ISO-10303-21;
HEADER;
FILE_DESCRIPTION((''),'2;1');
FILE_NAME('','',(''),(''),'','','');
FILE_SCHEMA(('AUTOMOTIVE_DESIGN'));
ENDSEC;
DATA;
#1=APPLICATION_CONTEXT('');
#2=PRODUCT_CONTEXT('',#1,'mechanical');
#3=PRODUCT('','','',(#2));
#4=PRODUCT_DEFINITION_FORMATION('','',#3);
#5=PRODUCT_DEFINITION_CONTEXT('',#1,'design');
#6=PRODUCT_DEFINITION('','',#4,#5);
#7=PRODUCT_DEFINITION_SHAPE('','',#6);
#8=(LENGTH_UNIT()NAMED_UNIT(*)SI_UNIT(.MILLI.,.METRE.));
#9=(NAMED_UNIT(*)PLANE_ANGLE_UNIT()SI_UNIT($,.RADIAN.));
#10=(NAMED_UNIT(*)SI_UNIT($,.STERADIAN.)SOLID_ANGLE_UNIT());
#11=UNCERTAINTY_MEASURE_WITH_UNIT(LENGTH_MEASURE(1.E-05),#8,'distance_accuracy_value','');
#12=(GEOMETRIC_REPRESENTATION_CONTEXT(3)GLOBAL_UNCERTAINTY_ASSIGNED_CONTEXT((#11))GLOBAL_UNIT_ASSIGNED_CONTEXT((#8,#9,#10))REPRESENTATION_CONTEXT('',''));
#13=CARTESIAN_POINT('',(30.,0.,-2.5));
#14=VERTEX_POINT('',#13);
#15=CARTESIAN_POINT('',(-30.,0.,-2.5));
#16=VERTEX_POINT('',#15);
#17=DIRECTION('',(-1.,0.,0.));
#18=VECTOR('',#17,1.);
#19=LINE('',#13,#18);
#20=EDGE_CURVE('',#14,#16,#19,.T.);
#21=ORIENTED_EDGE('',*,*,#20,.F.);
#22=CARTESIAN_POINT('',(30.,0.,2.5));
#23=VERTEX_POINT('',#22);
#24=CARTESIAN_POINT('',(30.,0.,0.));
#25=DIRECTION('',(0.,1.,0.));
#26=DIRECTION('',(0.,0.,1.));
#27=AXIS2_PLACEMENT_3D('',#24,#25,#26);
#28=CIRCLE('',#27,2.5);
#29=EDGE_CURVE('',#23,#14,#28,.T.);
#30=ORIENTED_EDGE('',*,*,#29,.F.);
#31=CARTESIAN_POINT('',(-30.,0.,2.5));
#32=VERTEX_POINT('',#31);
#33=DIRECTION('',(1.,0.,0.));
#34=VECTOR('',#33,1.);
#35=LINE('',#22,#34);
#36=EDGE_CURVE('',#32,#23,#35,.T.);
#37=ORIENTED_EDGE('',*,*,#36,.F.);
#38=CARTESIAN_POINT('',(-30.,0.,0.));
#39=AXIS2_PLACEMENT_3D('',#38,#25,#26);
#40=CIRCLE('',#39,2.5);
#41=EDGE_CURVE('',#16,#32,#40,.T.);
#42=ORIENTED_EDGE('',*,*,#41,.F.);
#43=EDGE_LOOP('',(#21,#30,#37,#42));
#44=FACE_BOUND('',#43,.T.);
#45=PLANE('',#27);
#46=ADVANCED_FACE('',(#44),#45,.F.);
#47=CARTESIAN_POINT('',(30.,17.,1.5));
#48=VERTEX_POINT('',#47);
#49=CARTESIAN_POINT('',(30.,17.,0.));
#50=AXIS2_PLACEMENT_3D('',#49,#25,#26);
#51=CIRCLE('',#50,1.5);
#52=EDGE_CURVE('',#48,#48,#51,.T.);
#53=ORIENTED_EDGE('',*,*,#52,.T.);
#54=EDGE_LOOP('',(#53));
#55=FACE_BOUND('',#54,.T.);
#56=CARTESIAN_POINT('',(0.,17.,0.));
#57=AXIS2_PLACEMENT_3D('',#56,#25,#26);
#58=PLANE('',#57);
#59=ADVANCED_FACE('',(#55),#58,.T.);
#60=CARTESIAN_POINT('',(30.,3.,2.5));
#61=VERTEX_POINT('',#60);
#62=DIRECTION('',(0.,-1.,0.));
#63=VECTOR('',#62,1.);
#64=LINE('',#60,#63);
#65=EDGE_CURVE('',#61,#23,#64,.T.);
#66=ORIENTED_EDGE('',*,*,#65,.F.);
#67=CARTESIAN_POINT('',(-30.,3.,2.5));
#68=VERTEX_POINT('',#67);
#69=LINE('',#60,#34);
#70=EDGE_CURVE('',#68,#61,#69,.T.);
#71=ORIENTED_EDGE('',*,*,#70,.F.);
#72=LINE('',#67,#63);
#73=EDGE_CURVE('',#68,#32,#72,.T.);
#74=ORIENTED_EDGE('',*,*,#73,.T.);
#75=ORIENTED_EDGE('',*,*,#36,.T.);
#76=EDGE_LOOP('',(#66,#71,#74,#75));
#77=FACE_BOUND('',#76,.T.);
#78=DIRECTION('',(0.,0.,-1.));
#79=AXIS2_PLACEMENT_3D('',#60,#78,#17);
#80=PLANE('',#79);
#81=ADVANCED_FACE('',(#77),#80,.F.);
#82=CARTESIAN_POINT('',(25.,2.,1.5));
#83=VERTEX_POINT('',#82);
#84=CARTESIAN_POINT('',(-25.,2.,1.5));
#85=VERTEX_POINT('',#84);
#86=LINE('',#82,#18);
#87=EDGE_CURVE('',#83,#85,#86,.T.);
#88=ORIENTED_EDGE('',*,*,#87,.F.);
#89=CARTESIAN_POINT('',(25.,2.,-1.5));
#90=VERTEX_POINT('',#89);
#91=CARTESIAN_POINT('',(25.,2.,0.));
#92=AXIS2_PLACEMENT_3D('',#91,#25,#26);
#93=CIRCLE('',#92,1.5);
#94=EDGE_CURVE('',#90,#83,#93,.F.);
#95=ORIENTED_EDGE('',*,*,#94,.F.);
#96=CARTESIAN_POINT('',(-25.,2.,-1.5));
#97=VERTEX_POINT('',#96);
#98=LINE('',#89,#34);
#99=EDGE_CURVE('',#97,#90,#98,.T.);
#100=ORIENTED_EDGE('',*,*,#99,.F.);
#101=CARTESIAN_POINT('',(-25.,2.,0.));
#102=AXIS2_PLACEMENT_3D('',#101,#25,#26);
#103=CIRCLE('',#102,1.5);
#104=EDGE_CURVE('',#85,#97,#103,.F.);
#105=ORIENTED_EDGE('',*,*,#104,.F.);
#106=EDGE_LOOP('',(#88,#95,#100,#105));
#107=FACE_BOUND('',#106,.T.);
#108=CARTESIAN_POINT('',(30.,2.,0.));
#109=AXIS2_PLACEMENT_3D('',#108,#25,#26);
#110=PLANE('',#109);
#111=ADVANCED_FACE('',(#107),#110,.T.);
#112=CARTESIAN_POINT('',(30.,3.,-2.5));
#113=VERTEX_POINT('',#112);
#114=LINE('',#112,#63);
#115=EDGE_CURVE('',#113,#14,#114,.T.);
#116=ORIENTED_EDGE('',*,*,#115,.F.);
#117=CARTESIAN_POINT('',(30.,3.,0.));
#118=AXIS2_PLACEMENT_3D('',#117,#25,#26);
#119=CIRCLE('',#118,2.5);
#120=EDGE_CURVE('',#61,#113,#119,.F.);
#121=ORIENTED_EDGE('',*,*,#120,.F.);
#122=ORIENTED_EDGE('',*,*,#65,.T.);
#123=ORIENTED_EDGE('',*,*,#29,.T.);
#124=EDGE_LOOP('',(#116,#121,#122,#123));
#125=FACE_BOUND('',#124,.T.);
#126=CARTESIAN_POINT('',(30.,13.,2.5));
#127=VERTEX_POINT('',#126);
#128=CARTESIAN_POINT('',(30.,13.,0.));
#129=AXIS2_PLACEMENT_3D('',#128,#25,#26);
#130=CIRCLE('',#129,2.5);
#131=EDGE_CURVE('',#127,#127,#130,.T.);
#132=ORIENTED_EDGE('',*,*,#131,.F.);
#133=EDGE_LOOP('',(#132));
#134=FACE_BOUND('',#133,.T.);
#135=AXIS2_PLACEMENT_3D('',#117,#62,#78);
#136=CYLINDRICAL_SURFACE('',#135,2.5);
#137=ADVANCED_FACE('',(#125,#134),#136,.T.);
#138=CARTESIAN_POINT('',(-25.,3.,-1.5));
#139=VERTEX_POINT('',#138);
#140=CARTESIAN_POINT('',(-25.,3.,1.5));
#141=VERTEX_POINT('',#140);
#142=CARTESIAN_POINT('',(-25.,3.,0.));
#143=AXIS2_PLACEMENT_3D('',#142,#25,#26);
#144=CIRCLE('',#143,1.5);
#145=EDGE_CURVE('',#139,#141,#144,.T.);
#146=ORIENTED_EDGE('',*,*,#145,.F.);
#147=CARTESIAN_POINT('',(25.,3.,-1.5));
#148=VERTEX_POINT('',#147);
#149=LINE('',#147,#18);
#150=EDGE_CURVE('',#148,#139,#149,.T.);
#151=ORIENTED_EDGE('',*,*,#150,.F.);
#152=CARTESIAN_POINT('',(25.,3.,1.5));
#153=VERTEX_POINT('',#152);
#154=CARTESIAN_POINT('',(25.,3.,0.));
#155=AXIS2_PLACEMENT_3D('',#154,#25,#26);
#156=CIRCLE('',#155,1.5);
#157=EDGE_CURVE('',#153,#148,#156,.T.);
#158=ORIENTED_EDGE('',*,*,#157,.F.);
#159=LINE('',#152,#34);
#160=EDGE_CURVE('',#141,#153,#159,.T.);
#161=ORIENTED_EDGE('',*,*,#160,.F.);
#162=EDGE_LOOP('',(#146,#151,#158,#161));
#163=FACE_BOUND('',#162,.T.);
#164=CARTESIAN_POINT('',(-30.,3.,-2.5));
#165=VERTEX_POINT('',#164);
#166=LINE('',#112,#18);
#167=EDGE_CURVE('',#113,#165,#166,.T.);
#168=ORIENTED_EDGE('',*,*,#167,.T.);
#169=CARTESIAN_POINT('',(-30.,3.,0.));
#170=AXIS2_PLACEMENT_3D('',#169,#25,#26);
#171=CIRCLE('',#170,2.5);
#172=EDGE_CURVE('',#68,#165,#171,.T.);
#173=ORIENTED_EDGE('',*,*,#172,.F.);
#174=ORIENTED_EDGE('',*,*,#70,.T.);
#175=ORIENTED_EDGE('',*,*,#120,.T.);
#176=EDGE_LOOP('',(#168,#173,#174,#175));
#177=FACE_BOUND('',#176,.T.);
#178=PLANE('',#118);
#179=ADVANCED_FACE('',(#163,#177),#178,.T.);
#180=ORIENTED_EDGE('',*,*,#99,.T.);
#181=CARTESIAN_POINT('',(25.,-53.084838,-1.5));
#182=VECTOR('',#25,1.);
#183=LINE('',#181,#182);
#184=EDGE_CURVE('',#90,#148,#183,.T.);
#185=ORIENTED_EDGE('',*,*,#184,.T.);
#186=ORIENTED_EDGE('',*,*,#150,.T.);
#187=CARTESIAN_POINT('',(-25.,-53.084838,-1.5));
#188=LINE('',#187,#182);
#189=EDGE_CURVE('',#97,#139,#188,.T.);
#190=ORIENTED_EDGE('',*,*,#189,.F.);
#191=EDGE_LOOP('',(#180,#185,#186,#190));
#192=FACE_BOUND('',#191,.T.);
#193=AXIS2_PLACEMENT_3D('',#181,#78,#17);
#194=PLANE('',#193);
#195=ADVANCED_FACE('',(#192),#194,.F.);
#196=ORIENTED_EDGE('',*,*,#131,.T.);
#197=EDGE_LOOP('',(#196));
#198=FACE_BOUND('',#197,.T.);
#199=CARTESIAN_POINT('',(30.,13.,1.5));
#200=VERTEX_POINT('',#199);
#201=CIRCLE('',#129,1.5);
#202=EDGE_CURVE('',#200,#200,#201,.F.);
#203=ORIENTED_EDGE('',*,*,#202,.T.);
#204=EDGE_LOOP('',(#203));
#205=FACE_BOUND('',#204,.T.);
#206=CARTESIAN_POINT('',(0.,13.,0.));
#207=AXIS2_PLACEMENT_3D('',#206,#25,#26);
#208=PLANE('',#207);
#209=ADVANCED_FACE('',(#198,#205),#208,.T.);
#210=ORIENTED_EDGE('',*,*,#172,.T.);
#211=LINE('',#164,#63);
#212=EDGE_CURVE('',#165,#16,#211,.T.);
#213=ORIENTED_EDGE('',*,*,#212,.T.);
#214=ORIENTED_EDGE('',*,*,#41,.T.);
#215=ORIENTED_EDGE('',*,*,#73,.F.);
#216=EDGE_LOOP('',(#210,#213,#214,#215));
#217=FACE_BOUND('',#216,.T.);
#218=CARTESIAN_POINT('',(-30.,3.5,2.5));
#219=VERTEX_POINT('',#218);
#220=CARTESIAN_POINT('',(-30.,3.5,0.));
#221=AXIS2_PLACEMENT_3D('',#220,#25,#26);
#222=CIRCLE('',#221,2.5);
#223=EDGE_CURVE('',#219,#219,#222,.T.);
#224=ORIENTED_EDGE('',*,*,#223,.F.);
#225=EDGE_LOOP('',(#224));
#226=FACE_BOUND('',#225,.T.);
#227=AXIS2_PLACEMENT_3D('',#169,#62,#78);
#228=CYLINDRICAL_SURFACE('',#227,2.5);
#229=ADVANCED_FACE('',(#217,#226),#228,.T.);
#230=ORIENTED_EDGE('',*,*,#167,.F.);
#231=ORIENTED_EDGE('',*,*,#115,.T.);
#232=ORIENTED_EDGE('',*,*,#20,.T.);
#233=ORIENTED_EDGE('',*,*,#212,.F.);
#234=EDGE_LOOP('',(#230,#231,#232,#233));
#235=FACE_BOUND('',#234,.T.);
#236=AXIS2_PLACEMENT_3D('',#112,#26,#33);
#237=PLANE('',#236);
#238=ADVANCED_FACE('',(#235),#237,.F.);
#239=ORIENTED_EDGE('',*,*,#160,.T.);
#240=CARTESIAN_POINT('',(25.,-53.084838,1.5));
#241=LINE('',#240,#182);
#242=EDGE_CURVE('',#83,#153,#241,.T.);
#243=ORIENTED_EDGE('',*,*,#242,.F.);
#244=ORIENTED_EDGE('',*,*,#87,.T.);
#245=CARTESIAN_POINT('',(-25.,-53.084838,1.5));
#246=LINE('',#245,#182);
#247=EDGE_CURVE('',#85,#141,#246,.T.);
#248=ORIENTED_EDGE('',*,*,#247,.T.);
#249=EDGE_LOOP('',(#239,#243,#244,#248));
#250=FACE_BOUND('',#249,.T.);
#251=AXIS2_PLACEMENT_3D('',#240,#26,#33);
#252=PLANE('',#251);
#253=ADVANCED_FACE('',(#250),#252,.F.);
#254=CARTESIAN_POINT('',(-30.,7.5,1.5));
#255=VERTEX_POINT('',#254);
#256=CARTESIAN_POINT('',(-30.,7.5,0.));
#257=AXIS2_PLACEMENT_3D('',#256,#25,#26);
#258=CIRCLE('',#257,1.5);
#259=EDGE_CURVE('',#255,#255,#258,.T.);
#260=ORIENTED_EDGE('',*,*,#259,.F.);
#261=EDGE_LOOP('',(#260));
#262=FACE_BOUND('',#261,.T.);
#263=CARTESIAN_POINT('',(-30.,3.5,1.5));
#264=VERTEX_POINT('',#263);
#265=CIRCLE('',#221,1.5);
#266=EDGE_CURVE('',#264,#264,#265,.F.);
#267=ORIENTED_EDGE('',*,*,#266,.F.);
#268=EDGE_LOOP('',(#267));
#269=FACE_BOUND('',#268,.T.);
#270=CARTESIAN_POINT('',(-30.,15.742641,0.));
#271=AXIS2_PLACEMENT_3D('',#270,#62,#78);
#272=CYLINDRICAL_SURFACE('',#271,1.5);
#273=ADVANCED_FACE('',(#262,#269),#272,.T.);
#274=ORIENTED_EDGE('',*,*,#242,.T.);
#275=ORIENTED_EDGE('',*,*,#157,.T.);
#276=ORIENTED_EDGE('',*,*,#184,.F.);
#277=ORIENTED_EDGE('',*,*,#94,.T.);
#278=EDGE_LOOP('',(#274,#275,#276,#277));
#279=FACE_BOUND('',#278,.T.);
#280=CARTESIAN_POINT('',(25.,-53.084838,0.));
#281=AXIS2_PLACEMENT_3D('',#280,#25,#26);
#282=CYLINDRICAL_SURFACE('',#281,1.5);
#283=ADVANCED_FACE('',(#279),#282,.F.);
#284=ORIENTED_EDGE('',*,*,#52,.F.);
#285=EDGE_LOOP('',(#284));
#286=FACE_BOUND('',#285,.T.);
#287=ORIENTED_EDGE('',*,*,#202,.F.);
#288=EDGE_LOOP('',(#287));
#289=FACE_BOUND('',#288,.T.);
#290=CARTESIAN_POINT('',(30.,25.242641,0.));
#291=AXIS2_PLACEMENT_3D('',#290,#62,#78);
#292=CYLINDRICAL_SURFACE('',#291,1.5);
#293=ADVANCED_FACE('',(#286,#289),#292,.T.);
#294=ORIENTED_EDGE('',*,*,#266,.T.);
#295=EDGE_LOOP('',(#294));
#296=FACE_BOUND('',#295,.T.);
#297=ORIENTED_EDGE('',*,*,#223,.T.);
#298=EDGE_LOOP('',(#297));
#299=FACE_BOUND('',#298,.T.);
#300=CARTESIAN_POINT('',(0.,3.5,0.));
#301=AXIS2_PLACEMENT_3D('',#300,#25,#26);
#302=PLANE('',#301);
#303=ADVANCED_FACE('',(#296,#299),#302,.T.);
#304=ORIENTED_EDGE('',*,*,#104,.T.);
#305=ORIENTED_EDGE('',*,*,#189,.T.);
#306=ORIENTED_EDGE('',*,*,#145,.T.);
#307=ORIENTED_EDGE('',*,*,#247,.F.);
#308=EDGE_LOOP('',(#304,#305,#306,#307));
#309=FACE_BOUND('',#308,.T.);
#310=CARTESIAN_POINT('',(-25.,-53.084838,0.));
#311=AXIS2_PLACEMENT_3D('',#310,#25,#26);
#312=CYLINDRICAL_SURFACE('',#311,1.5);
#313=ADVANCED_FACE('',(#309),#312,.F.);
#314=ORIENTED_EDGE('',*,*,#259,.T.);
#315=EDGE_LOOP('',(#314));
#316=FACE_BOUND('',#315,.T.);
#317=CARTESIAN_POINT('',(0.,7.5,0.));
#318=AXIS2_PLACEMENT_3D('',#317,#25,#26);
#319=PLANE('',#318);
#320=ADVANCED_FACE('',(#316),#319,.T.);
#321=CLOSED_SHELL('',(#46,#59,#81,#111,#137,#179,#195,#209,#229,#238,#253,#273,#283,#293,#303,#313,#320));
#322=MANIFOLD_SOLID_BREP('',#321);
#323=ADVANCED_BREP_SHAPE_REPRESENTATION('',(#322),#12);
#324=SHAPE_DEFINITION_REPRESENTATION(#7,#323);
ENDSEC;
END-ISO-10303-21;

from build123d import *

# Parameters (mm, degrees)
EXTRUDE_1_DEPTH     = 3
EXTRUDE_2_DEPTH     = 0.5
SKETCH_3_R          = 1.5
EXTRUDE_3_DEPTH     = 4.5
EXTRUDE_4_DEPTH     = 10
SKETCH_3_3_R        = 1.5
EXTRUDE_5_DEPTH     = 14
CUT_EXTRUDE_1_DEPTH = 1


with BuildPart() as part:
    # Эскиз1 → Бобышка-Вытянуть1 (new body)
    with BuildSketch(Plane(origin=(0, 0, 0), x_dir=(1, 0, 0), z_dir=(0, 1, 0))):
        with BuildLine():
            Line((30, -2.5), (-30, -2.5))
            ThreePointArc((-30, -2.5), (-32.5, 0), (-30, 2.5))
            Line((-30, 2.5), (30, 2.5))
            ThreePointArc((30, 2.5), (32.5, 0), (30, -2.5))
        make_face()
    extrude(amount=EXTRUDE_1_DEPTH)

    # Эскиз2 → Бобышка-Вытянуть2 (add)
    with BuildSketch(Plane(origin=(0, 3, 0), x_dir=(1, 0, 0), z_dir=(0, 1, 0))):
        with BuildLine():
            ThreePointArc((-30, -2.5), (-28.232233047, -1.767766953), (-27.5, 0))
            ThreePointArc((-27.5, 0), (-28.232233047, 1.767766953), (-30, 2.5))
            ThreePointArc((-30, 2.5), (-32.5, 0), (-30, -2.5))
        make_face()
    extrude(amount=EXTRUDE_2_DEPTH)

    # Эскиз3 → Бобышка-Вытянуть3 (add)
    with BuildSketch(Plane(origin=(0, 3, 0), x_dir=(1, 0, 0), z_dir=(0, 1, 0))):
        with Locations(Location((-30, 0, 0), (0, 0, 270))):
            Circle(SKETCH_3_R)
    extrude(amount=EXTRUDE_3_DEPTH)

    # Эскиз2<3> → Бобышка-Вытянуть4 (add)
    with BuildSketch(Plane(origin=(0, 3, 0), x_dir=(1, 0, 0), z_dir=(0, 1, 0))):
        with BuildLine():
            ThreePointArc((30, -2.5), (31.767766953, -1.767766953), (32.5, 0))
            ThreePointArc((32.5, 0), (31.767766953, 1.767766953), (30, 2.5))
            ThreePointArc((30, 2.5), (27.5, 0), (30, -2.5))
        make_face()
    extrude(amount=EXTRUDE_4_DEPTH)

    # Эскиз3<3> → Бобышка-Вытянуть5 (add)
    with BuildSketch(Plane(origin=(0, 3, 0), x_dir=(1, 0, 0), z_dir=(0, 1, 0))):
        with Locations(Location((30, 0, 0), (0, 0, 270))):
            Circle(SKETCH_3_3_R)
    extrude(amount=EXTRUDE_5_DEPTH)

    # Эскиз4 → Вырез-Вытянуть1 (cut)
    with BuildSketch(Plane(origin=(0, 3, 0), x_dir=(1, 0, 0), z_dir=(0, 1, 0))):
        with BuildLine():
            Line((25, -1.5), (-25, -1.5))
            ThreePointArc((-25, -1.5), (-26.5, 0), (-25, 1.5))
            Line((-25, 1.5), (25, 1.5))
            ThreePointArc((25, 1.5), (26.5, 0), (25, -1.5))
        make_face()
    extrude(amount=-CUT_EXTRUDE_1_DEPTH, mode=Mode.SUBTRACT)


solid = part.part
